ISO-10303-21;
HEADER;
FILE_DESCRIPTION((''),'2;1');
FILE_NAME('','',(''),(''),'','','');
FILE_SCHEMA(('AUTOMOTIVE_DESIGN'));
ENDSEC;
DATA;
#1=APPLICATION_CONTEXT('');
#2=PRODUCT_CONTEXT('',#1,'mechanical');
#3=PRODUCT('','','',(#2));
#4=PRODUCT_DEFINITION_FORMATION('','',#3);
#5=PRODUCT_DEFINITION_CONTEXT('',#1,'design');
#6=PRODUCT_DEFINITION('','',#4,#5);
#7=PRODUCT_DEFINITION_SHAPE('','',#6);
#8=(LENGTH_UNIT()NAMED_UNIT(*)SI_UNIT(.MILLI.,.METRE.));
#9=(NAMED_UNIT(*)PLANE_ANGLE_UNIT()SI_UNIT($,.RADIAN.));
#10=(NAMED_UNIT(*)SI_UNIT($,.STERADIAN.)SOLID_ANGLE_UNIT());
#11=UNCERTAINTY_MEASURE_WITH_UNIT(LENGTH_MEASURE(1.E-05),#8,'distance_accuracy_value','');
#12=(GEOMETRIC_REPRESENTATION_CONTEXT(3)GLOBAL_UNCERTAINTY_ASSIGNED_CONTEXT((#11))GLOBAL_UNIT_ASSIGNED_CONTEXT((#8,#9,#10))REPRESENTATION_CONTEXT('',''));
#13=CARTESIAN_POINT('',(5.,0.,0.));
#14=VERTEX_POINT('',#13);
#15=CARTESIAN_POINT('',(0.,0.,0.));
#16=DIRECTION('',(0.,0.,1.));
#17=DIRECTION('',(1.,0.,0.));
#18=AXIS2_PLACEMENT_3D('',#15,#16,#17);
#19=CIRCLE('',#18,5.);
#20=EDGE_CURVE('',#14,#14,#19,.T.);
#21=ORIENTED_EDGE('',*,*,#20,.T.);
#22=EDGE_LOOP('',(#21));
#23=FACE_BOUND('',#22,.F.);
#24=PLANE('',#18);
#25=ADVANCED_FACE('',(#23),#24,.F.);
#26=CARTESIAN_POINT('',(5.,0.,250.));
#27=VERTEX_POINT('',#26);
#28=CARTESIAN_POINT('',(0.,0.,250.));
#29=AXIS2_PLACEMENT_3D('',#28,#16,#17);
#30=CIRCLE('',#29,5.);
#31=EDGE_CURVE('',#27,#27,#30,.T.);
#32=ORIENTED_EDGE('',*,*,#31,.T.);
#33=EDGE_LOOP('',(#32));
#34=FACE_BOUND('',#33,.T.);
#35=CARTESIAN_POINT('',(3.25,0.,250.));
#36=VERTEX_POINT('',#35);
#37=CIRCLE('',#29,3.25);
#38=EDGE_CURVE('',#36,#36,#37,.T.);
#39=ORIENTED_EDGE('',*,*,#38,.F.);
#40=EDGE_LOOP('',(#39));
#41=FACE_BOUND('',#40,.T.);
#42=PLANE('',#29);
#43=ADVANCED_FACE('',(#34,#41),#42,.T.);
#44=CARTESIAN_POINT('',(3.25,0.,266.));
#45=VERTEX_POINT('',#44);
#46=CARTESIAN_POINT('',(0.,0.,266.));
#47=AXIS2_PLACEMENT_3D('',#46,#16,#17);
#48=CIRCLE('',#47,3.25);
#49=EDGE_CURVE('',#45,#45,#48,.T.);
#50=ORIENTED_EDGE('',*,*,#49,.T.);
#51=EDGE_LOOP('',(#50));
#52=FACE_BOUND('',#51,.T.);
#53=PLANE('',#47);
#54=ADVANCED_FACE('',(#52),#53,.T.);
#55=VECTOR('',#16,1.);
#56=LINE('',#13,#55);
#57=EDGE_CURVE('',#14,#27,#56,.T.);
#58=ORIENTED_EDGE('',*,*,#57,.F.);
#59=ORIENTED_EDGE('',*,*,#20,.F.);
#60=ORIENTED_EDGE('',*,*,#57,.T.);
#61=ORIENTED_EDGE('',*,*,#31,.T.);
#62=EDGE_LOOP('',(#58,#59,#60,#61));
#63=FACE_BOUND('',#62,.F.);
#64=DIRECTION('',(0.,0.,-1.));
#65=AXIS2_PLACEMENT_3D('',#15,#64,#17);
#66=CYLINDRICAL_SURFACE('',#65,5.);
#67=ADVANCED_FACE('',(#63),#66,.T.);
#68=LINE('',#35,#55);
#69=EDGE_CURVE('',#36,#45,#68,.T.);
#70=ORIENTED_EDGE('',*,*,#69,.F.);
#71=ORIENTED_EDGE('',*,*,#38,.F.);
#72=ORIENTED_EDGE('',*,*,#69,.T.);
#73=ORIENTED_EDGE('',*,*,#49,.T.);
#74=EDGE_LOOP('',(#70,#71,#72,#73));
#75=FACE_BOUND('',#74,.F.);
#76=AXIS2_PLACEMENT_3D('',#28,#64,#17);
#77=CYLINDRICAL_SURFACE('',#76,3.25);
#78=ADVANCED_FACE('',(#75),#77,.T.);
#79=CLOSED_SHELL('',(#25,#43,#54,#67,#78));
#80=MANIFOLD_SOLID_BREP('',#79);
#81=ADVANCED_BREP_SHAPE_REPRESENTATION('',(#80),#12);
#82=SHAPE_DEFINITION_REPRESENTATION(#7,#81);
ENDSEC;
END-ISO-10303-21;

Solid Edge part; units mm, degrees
sketch "Sketch1" plane through (0, 0, 0) normal (0, 0, 1) x (1, 0, 0)
  circle A0 centre (0, 0) radius 5
extrude "ExtrudedProtrusion_1" add sketch "Sketch1" along normal blind 250
cosmetic_thread "Thread1"
sketch "Sketch2" plane through (0, 0, 250) normal (0, 0, 1) x (1, 0, 0)
  circle A0 centre (0, 0) radius 3.25
extrude "ExtrudedProtrusion_2" add sketch "Sketch2" along normal blind 16
properties material "Galvanized steel"
